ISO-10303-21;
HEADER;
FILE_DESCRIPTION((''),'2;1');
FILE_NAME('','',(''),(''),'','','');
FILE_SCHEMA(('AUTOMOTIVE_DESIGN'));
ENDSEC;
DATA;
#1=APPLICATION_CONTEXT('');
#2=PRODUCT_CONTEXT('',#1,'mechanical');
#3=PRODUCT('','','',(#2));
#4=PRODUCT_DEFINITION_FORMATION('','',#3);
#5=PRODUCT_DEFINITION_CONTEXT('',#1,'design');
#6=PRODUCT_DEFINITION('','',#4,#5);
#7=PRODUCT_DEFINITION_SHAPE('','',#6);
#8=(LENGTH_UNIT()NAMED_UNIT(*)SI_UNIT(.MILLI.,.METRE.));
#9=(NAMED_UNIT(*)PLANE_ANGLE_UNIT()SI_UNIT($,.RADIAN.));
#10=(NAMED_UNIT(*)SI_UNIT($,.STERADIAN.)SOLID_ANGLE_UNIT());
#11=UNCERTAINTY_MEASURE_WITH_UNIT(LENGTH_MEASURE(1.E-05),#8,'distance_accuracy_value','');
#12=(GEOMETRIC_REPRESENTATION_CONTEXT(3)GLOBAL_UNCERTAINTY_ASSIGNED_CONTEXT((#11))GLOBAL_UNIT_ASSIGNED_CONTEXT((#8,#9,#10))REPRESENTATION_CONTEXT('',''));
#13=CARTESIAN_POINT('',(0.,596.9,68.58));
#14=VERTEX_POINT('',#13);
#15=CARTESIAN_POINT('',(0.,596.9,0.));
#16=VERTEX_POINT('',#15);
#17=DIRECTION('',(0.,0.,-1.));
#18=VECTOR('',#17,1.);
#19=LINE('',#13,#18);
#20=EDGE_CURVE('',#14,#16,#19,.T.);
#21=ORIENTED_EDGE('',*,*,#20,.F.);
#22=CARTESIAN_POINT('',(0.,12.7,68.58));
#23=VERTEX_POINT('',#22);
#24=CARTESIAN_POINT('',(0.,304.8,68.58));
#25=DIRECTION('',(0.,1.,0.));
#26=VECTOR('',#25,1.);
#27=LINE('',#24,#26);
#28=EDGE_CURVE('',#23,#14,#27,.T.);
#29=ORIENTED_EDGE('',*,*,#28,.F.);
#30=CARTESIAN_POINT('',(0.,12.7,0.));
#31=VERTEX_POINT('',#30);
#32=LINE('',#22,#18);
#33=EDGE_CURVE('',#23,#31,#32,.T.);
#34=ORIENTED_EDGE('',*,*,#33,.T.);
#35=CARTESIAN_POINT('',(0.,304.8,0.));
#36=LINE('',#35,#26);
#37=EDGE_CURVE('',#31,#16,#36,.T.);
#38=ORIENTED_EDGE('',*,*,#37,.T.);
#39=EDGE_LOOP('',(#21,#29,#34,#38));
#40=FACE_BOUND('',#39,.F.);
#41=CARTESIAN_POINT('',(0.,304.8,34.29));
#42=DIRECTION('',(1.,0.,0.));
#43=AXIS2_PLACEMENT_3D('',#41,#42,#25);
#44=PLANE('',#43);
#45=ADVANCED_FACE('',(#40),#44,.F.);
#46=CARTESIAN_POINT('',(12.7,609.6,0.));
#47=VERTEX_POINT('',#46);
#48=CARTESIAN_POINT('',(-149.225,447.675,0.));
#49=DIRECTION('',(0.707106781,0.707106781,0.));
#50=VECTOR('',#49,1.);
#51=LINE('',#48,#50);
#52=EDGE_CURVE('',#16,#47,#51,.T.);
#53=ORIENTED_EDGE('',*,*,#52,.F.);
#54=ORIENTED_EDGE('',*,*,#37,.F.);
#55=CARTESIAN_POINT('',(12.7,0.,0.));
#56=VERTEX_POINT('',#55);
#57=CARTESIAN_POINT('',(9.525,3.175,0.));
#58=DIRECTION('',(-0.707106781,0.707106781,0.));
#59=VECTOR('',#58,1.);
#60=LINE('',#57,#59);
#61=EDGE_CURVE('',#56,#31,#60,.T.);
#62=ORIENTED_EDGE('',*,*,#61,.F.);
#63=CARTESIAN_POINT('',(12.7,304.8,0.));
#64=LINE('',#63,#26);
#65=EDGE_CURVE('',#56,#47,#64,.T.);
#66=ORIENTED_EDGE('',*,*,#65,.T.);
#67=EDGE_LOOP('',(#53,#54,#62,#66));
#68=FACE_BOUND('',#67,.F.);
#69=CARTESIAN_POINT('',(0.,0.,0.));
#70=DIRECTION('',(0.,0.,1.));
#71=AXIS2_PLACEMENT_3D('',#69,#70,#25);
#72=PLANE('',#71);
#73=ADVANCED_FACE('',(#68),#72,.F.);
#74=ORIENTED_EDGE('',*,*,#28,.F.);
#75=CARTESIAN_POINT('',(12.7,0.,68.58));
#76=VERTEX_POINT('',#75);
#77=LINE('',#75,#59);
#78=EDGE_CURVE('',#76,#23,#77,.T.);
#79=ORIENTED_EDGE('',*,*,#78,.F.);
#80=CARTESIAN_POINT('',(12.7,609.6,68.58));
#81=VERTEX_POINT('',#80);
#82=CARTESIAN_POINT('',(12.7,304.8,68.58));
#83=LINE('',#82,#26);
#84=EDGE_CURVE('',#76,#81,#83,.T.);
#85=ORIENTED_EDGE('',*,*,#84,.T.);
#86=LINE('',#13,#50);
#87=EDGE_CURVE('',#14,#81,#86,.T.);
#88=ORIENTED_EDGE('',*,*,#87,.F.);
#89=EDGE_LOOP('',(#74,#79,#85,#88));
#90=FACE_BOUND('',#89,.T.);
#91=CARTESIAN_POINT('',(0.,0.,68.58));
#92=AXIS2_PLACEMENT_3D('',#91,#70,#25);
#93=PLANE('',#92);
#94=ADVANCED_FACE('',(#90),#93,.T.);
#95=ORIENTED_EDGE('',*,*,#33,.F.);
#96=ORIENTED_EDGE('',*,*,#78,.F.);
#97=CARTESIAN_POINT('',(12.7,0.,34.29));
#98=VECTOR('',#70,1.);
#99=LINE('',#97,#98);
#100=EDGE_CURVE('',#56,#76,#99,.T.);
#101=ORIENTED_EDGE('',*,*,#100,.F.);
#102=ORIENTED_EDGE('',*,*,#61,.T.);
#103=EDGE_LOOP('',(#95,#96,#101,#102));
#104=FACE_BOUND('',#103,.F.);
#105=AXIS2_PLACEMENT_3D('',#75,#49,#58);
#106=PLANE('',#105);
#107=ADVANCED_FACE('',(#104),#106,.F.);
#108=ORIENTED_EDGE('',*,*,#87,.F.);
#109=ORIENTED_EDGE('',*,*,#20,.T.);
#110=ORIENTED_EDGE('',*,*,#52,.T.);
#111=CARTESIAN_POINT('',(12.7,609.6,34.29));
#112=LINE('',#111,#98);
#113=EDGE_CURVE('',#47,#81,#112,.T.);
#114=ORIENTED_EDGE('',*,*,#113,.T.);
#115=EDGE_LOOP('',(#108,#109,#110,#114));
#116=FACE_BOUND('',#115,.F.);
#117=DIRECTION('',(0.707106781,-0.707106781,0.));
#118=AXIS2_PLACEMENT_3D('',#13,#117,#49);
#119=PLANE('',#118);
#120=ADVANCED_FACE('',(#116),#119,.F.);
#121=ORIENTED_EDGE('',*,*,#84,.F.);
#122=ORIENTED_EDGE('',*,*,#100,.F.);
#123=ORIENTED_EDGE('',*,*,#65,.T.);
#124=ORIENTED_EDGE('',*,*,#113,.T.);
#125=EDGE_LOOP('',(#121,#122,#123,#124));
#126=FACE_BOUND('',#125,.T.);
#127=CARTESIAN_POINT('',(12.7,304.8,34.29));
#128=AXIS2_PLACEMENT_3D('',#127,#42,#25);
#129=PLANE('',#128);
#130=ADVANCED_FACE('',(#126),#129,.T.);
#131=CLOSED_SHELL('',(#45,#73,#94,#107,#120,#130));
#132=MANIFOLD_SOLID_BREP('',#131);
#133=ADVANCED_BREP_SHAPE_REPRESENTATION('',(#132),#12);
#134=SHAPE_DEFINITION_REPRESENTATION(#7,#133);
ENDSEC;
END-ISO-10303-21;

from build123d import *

# Parameters (mm, degrees)
F0_W     = 609.6
F0_H     = 68.58
F1_DEPTH = 12.7
F3_DEPTH = 68.581


with BuildPart() as f1:
    # F0 (on Right) → F1 (new body)
    with BuildSketch(Plane.YZ):
        with Locations((304.8, 34.29)):
            Rectangle(F0_W, F0_H)
    extrude(amount=F1_DEPTH)

    # F2 (on face) → F3 (cut, through all)
    with BuildSketch(Plane.XY.offset(68.58)):
        Polygon((0, 0), (12.7, 0), (0, 12.7), align=None)
        Polygon((0, 596.9), (12.7, 609.6), (0, 609.6), align=None)
    extrude(amount=-F3_DEPTH, mode=Mode.SUBTRACT)


solid = f1.part
